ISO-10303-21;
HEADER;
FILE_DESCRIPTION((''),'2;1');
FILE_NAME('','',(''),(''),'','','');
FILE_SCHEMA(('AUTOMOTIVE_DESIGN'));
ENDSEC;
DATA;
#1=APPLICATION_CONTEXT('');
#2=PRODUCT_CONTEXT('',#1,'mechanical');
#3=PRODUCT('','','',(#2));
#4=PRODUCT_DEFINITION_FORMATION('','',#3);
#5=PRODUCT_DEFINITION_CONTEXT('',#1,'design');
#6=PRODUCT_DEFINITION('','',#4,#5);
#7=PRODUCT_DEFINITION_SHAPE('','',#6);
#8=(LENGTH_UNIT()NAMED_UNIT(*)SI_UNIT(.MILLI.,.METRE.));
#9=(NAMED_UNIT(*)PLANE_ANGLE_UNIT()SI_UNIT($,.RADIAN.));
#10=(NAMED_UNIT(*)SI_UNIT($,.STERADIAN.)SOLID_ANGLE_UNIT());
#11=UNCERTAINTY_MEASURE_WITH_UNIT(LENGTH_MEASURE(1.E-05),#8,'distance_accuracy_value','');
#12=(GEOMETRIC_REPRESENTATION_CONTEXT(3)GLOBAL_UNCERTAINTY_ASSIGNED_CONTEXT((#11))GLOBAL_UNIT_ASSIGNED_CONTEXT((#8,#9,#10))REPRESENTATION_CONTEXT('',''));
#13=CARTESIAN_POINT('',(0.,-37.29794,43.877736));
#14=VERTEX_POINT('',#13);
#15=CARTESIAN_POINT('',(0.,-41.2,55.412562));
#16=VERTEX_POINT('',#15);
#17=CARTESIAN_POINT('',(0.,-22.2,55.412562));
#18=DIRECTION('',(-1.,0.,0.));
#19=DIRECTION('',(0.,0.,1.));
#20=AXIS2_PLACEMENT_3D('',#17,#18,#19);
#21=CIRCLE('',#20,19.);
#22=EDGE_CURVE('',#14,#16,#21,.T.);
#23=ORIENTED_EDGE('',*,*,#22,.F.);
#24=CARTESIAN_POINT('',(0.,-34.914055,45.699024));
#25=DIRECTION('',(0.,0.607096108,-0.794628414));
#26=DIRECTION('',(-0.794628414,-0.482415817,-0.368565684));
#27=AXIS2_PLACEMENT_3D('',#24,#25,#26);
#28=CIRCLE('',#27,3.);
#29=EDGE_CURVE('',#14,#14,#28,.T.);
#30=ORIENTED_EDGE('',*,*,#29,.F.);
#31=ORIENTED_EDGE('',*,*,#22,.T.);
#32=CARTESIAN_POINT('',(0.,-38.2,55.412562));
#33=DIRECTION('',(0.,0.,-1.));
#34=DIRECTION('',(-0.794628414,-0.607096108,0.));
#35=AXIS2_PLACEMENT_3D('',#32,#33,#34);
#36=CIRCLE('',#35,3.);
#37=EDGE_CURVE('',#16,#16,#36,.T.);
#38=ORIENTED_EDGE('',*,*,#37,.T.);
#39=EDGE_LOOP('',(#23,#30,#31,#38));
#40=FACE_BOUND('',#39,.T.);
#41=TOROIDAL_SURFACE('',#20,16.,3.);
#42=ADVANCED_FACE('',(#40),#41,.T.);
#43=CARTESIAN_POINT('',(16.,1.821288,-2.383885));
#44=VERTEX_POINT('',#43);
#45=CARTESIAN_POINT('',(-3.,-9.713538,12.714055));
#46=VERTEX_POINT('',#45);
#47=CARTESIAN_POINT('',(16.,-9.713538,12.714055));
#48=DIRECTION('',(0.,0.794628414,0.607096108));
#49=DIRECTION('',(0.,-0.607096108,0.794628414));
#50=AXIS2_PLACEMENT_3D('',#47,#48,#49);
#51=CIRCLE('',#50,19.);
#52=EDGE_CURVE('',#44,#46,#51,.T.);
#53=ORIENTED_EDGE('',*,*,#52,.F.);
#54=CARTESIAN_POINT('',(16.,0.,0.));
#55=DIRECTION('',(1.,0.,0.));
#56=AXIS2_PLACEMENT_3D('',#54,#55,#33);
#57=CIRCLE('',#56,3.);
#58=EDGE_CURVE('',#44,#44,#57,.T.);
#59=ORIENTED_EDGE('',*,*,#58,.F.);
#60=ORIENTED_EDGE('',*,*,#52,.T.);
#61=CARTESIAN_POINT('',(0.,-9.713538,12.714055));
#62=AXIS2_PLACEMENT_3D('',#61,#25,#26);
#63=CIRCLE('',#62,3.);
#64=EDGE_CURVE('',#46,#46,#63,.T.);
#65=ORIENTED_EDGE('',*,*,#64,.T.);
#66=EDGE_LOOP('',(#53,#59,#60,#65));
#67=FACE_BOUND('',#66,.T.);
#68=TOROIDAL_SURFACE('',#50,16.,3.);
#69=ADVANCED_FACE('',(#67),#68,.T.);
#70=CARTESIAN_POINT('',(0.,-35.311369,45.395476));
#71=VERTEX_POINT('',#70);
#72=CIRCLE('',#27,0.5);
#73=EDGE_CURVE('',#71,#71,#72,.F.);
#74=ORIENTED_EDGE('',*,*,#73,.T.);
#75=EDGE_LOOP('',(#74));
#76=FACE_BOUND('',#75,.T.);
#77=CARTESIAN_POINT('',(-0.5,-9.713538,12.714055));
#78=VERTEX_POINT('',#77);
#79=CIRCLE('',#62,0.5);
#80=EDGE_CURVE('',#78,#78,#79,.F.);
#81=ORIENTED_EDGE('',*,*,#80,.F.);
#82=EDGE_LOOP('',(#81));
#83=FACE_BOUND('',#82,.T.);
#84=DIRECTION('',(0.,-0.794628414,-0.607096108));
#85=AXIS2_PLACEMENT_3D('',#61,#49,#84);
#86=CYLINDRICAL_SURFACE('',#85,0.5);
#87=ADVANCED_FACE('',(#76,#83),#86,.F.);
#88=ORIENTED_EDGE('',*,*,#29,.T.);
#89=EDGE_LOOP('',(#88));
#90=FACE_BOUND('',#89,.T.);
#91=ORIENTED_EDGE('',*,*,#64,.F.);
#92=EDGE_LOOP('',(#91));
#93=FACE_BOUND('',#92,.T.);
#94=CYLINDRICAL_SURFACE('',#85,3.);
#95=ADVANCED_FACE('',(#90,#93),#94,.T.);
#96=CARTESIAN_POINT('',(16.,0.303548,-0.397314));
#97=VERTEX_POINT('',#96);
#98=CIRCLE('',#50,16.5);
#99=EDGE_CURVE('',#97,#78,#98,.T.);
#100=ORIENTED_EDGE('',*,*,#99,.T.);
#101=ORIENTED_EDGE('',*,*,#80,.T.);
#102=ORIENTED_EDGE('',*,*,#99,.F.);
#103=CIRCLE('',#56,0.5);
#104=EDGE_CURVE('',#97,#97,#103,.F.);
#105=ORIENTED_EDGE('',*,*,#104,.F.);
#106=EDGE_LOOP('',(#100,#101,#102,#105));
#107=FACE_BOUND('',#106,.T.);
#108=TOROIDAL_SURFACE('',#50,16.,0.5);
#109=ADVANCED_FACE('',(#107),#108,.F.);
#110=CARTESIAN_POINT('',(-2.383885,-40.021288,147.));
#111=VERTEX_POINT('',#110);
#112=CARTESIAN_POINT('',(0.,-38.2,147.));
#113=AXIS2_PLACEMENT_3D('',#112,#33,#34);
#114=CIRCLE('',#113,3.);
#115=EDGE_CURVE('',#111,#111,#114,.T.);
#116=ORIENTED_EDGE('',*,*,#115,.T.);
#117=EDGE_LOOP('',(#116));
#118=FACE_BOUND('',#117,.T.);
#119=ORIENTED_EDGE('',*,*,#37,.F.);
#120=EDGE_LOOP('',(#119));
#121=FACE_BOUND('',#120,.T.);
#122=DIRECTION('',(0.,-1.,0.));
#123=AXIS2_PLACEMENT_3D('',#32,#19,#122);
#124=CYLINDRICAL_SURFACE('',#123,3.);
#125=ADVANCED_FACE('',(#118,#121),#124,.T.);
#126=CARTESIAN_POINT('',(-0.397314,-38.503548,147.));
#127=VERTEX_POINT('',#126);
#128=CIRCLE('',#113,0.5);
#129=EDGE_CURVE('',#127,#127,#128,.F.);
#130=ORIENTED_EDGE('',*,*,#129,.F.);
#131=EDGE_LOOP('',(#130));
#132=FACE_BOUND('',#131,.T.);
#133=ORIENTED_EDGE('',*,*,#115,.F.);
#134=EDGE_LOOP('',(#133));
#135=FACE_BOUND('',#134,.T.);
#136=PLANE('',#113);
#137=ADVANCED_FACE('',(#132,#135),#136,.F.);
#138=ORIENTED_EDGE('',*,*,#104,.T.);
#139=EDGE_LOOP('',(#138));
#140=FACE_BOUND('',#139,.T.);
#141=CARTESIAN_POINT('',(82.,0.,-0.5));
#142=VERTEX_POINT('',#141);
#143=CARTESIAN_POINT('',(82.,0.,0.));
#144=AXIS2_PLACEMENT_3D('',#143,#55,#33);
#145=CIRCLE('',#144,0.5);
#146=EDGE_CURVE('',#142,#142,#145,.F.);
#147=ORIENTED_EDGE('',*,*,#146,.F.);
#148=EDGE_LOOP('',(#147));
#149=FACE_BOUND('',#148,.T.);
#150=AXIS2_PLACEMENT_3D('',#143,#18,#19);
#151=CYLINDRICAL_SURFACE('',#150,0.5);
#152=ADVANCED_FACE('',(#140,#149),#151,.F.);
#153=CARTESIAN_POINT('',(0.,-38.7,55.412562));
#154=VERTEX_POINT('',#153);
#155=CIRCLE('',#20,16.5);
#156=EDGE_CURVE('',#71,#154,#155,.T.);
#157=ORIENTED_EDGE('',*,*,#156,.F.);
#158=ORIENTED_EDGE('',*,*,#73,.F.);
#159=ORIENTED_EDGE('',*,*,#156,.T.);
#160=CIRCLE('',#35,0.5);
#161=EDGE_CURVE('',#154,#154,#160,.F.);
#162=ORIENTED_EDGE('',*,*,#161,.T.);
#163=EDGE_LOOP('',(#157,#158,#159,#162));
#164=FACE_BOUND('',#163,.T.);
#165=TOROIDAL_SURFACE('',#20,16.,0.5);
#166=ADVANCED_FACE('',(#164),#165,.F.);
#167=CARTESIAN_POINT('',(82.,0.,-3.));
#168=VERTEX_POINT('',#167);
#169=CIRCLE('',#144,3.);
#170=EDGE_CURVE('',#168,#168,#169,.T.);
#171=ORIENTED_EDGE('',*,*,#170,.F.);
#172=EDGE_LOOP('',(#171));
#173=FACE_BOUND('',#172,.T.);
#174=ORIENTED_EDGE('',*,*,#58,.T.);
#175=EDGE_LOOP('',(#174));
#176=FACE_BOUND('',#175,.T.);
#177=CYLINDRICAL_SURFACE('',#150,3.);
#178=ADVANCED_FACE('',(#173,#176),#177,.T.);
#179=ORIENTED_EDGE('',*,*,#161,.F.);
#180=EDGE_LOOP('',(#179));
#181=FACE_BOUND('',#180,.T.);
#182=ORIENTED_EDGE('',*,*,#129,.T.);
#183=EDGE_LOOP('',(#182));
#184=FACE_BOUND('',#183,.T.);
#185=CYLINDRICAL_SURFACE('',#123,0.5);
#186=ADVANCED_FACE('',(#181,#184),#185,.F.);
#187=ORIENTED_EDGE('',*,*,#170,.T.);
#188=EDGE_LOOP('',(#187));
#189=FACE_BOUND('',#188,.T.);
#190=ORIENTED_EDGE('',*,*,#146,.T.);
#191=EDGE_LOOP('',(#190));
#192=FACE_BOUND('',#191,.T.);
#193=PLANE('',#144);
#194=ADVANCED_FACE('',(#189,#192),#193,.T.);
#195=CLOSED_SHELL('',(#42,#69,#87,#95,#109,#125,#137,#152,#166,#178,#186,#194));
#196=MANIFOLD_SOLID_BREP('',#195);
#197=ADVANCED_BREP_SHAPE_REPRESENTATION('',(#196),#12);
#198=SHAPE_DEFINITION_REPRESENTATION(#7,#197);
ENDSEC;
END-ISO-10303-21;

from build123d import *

# Parameters (mm, degrees)
SKICA4_R   = 3
SKICA4_R_2 = 0.5


with BuildPart() as part:
    # Táhnout po křivce1: sweep along a curve in space
    with BuildLine() as t_hnout_po_k_ivce1_path:
        Line((82, 0, 0), (16, 0, 0))
        ThreePointArc((16, 0, 0), (4.686291501, -2.845029331, 3.723860381), (0, -9.713537728, 12.714054617))
        Line((0, -9.713537728, 12.714054617), (0, -34.914054617, 45.699024368))
        ThreePointArc((0, -34.914054617, 45.699024368), (0, -37.35626725, 50.285422244), (0, -38.2, 55.412562096))
        Line((0, -38.2, 55.412562096), (0, -38.2, 147))
    # Skica4 → Táhnout po křivce1 (sweep)
    with BuildSketch(Plane(origin=(82, 0, 0), x_dir=(0, 0, -1), z_dir=(1, 0, 0))):
        Circle(SKICA4_R)
        Circle(SKICA4_R_2, mode=Mode.SUBTRACT)
    sweep(path=t_hnout_po_k_ivce1_path.line)


solid = part.part
